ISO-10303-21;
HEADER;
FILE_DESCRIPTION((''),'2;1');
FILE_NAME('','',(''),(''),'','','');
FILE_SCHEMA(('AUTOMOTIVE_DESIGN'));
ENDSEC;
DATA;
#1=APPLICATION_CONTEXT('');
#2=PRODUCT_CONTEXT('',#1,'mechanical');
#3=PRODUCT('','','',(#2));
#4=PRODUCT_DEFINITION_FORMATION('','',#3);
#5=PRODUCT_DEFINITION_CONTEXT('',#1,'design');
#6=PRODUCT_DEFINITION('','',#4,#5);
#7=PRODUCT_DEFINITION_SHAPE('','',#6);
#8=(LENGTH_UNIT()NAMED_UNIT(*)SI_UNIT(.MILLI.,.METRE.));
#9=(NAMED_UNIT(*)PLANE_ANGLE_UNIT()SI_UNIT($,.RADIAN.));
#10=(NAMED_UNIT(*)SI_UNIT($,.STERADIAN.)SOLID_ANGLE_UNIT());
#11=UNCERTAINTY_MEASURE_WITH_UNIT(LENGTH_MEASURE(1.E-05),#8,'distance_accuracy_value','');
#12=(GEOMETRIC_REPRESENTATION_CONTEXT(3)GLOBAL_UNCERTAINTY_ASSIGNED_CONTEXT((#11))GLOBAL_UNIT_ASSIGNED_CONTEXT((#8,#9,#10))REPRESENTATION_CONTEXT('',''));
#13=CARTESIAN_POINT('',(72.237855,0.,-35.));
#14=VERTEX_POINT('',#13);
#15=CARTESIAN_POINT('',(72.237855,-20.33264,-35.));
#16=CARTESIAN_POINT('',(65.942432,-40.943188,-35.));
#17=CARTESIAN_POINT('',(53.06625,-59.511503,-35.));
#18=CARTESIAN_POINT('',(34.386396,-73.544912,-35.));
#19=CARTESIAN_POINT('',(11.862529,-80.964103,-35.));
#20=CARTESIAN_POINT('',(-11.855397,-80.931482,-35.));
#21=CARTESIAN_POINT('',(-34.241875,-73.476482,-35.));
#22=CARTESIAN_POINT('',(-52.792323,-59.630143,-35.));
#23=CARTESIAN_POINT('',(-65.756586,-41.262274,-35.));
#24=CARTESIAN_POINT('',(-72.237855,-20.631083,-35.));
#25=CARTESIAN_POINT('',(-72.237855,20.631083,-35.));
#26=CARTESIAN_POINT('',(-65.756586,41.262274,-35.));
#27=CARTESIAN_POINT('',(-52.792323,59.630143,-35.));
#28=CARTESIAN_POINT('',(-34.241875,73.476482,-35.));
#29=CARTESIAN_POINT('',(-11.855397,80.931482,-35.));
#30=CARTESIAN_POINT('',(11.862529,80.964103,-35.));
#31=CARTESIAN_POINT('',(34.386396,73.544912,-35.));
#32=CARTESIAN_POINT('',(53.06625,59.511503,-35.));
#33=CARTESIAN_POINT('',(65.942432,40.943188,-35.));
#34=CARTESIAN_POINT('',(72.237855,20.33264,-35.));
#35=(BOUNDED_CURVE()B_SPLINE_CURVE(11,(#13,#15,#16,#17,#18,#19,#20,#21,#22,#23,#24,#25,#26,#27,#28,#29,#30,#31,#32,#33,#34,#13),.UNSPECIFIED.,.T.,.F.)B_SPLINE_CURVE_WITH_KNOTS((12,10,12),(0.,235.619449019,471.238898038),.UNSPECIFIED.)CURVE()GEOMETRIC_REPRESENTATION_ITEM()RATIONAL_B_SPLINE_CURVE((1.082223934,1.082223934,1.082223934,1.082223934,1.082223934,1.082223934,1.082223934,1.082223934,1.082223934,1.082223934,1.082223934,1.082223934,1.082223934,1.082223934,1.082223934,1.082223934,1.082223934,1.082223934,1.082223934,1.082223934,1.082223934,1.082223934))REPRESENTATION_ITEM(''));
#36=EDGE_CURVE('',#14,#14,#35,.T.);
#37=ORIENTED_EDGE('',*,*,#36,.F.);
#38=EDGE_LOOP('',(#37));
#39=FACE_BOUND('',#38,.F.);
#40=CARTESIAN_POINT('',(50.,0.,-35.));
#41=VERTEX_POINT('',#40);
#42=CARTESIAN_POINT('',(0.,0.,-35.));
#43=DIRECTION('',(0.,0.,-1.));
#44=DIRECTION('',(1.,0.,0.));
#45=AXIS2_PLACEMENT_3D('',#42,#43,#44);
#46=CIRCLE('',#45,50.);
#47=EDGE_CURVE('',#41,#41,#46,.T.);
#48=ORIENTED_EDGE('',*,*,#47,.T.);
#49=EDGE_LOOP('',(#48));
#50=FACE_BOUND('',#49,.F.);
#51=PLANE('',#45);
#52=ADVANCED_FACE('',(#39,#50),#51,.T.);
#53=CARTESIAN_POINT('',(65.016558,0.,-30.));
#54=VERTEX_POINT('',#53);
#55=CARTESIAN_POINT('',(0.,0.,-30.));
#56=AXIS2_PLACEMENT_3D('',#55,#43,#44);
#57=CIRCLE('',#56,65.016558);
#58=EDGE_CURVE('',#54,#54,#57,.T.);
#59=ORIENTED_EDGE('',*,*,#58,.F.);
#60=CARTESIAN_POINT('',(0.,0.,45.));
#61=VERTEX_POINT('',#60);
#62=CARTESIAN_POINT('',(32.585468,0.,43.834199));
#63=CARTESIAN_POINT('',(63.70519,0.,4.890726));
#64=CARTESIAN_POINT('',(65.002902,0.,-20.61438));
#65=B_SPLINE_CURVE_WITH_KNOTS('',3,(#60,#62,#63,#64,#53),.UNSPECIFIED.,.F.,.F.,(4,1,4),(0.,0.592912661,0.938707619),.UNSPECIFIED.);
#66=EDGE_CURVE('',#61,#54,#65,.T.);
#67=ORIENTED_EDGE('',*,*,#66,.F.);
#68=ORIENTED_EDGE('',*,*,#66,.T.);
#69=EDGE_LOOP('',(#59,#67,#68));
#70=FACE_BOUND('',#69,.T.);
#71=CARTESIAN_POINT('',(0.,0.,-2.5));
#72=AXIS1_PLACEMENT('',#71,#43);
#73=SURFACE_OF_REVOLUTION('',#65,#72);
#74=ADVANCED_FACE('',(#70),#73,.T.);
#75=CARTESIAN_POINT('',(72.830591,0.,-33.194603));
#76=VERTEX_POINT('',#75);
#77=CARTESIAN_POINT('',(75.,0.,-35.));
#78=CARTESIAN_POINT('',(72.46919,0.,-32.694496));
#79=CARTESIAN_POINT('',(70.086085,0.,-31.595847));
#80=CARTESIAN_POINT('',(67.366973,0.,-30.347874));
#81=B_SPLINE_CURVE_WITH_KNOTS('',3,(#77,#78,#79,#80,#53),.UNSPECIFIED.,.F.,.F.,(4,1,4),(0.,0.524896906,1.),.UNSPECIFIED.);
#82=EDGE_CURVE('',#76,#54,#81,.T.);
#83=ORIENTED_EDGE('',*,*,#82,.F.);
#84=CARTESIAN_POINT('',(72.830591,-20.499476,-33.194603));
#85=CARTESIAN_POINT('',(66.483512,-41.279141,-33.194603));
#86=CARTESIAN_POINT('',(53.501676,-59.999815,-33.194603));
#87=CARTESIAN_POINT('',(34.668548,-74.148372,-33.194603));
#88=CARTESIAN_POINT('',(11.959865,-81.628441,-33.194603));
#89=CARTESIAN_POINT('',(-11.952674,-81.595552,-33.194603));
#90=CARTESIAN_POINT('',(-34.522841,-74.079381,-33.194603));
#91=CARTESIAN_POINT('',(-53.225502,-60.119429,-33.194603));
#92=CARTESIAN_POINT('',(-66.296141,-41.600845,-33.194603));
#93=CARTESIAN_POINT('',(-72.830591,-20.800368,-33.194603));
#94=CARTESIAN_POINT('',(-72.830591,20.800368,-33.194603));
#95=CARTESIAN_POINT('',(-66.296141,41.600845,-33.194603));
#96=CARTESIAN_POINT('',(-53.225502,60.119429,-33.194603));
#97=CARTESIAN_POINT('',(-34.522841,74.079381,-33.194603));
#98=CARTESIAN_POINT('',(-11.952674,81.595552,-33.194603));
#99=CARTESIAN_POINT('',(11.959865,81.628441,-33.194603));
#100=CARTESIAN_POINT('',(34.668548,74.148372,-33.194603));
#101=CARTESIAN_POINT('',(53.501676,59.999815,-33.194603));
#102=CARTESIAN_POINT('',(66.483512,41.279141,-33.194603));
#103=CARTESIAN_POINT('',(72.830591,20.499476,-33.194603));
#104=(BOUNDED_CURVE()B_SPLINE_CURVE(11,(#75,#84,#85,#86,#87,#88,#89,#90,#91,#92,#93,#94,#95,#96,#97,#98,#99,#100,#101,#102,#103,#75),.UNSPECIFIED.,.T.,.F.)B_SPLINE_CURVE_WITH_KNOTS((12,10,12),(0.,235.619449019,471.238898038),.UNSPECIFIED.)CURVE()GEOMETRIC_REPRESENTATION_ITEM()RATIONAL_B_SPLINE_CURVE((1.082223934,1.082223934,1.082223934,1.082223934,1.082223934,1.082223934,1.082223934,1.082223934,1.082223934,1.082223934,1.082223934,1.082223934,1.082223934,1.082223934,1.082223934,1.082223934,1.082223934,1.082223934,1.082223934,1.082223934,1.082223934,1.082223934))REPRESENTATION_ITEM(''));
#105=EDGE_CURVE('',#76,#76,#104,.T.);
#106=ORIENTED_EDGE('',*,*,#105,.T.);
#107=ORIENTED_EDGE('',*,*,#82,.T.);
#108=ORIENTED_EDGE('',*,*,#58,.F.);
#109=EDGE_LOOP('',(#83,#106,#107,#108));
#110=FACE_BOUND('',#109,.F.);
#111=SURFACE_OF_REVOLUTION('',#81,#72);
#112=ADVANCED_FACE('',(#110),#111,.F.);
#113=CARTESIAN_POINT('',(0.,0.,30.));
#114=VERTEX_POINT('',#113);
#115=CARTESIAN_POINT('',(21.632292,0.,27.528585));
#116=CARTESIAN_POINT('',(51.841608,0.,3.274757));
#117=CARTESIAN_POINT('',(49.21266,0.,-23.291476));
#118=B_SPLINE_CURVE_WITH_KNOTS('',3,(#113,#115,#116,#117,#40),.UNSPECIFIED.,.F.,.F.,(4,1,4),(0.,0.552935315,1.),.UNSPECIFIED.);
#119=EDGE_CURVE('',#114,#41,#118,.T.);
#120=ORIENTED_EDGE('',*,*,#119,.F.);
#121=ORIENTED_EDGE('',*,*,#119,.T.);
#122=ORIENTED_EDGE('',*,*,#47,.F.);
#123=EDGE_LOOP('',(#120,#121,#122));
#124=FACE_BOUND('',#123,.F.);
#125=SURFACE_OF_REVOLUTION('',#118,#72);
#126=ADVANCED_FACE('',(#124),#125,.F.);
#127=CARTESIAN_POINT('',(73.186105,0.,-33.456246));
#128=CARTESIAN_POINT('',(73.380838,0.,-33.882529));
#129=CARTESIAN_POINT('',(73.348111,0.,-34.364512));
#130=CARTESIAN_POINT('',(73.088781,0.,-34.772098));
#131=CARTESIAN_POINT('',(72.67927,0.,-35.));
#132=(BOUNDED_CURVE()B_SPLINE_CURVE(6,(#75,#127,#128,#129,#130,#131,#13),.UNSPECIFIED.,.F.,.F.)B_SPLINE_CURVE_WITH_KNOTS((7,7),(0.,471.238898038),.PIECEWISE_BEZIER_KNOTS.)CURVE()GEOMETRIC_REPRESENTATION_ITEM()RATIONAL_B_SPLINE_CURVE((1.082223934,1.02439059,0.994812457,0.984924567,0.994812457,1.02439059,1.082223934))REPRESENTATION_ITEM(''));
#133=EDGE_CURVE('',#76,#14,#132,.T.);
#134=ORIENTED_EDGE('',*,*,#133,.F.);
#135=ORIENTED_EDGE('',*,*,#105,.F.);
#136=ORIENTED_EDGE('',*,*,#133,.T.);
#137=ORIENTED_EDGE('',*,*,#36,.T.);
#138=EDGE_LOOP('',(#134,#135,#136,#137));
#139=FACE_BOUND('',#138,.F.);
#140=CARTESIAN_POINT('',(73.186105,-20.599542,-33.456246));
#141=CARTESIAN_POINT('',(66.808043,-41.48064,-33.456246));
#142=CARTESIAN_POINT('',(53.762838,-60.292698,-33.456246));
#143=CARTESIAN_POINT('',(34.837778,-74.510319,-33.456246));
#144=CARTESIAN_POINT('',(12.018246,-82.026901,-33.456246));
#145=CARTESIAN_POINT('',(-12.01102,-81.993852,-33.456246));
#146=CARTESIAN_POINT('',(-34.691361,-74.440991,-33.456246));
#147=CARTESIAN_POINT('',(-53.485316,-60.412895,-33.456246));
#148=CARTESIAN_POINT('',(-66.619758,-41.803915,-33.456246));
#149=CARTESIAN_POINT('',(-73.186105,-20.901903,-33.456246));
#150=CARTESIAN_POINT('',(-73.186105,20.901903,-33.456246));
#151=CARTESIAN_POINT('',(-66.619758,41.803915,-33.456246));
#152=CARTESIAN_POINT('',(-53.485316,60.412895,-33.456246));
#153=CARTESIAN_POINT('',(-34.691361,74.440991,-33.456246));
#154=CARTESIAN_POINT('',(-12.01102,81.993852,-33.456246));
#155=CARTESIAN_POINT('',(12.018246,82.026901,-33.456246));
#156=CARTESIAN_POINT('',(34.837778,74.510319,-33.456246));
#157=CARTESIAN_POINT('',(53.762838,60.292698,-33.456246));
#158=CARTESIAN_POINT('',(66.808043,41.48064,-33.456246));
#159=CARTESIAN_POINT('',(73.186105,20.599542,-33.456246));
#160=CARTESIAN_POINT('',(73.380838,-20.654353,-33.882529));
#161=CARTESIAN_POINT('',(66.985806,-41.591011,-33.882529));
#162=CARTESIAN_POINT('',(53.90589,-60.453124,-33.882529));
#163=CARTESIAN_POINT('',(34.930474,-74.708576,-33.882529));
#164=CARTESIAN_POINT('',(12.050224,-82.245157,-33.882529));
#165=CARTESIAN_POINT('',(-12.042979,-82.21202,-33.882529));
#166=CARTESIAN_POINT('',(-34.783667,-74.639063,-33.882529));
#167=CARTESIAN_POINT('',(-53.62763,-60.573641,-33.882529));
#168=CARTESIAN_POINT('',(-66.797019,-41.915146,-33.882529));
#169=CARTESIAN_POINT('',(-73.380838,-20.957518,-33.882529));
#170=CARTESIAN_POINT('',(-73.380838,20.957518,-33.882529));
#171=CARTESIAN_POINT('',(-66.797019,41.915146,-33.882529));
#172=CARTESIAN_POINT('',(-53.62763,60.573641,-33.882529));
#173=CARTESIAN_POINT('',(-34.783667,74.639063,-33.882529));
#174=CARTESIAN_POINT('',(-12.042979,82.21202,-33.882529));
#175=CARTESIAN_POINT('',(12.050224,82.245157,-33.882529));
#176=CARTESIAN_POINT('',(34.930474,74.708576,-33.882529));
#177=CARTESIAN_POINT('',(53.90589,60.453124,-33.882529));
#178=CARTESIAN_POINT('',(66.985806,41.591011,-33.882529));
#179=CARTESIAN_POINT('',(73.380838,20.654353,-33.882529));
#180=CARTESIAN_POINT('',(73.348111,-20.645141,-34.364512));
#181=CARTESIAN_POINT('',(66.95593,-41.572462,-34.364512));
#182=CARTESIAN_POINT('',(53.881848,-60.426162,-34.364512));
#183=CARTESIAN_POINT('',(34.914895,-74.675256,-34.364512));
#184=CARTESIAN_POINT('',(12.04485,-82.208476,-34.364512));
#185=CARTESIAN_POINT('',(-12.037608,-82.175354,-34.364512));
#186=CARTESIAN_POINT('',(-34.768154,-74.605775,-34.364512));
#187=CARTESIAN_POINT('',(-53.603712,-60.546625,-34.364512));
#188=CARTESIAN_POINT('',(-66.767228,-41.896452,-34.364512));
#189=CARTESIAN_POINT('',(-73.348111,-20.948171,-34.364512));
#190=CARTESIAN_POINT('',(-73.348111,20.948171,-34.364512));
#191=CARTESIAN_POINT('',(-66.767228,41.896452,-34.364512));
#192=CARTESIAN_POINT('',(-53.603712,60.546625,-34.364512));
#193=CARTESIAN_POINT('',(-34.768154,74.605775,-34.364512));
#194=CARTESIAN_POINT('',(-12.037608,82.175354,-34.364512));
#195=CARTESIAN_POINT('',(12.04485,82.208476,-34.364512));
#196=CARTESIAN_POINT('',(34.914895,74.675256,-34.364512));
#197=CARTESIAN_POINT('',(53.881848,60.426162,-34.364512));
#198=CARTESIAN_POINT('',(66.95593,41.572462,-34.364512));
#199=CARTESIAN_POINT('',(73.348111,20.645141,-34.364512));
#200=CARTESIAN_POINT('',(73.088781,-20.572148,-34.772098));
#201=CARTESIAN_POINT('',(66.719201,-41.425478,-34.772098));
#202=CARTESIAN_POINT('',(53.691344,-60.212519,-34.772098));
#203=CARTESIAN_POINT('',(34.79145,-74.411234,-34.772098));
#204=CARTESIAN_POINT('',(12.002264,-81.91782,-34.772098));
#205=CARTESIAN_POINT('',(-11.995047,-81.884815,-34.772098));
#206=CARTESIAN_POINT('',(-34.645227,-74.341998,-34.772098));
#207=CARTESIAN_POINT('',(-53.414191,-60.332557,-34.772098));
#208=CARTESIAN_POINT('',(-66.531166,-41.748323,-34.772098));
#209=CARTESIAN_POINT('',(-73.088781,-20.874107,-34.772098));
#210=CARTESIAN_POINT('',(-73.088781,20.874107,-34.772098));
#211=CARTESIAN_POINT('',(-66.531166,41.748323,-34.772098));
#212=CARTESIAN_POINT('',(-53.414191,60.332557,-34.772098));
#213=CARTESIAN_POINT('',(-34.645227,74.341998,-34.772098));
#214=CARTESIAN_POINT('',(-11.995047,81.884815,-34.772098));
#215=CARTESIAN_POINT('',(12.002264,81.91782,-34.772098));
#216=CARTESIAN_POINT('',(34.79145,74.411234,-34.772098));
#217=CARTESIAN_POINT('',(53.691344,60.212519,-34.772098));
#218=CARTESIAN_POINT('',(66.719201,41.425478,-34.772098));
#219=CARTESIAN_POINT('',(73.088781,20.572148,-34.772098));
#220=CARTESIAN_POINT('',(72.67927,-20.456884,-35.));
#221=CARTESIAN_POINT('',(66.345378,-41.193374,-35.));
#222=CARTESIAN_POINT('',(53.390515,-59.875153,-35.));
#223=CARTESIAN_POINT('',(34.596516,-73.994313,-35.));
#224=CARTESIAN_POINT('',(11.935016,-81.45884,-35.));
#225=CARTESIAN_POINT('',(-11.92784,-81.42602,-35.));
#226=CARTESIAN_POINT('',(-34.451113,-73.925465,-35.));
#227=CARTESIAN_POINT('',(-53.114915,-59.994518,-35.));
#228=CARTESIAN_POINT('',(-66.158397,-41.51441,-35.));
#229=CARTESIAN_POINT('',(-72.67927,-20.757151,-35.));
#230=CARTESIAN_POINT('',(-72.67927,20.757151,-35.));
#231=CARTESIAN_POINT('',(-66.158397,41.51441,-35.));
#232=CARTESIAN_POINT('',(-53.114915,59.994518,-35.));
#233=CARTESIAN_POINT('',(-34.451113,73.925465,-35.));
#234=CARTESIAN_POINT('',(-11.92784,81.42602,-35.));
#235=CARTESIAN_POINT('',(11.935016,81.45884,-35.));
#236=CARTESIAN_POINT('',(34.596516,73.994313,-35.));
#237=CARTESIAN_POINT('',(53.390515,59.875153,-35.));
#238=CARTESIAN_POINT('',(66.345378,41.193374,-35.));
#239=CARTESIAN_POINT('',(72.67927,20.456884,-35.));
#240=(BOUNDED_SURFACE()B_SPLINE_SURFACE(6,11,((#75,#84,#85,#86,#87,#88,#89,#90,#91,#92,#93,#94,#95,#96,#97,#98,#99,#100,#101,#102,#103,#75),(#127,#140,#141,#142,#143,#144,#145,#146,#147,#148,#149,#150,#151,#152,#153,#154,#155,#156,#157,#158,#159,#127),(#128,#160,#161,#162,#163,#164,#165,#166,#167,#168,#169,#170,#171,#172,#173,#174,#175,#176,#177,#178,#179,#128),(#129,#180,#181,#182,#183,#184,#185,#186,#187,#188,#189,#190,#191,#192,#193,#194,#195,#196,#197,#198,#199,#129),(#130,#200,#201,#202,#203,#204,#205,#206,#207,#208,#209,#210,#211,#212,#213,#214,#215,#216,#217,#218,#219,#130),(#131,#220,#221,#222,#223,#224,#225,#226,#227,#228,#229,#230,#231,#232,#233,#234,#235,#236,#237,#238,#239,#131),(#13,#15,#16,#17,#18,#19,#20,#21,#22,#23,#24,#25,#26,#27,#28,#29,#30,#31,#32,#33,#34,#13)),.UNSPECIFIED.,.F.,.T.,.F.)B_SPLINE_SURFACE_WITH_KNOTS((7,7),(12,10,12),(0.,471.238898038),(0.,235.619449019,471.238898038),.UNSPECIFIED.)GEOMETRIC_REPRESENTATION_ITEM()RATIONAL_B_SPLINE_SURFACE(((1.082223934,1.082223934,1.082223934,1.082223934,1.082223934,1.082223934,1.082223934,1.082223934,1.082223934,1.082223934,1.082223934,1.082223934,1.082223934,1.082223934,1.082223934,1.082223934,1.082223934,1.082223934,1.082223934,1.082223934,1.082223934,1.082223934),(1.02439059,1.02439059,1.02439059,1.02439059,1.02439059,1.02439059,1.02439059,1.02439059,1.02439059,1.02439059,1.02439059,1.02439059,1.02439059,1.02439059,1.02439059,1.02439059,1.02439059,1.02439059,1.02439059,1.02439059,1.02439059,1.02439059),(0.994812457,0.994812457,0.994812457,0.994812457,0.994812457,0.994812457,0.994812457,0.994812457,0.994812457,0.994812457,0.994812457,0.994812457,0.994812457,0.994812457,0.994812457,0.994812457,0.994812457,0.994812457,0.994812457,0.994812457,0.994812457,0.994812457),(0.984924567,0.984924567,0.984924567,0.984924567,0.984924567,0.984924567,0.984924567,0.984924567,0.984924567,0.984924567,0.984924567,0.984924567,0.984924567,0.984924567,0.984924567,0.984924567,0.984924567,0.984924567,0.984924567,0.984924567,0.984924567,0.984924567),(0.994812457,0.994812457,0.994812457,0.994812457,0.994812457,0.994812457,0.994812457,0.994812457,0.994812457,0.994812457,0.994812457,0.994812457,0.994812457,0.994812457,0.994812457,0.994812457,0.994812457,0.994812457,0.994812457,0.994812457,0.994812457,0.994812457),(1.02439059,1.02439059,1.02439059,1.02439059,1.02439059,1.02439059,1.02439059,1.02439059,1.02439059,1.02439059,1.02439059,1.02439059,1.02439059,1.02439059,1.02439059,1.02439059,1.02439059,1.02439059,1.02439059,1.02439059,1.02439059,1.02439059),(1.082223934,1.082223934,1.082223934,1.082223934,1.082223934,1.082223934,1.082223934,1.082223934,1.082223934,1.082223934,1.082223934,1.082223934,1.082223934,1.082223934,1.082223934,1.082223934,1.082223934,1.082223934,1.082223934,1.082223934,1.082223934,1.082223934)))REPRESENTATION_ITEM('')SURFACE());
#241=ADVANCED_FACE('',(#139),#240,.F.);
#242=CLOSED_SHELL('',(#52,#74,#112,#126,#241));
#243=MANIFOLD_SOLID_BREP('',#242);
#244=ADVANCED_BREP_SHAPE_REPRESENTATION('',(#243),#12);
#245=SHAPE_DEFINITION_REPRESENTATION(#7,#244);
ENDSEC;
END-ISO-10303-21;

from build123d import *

# Parameters (mm, degrees)
F2_R = 1


with BuildPart() as f1:
    # F0 (on Front) → F1 (revolve)
    with BuildSketch(Plane.XZ):
        with BuildLine():
            add(Edge.make_bspline(
                [(0, 45), (32.5854684999, 43.8341987474), (63.7051902244, 4.8907256128), (65.0029016661, -20.614380353), (65.016558153, -30)],
                knots=[0, 0, 0, 0, 0.5929126607, 0.9387076193, 0.9387076193, 0.9387076193, 0.9387076193], degree=3))
            Line((0, 45), (0, 30))
            add(Edge.make_bspline(
                [(0, 30), (21.6322918756, 27.5285851806), (51.8416084101, 3.2747567854), (49.2126600125, -23.2914760548), (50, -35)],
                knots=[0, 0, 0, 0, 0.5529353155, 1, 1, 1, 1], degree=3))
            Line((50, -35), (65, -35))
            add(Edge.make_bspline(
                [(65.016558153, -30), (65.0189787742, -31.6636071704), (65.0068094141, -33.3269069467), (65, -35)],
                knots=[0.9387076193, 0.9387076193, 0.9387076193, 0.9387076193, 1, 1, 1, 1], degree=3))
        make_face()
        with BuildLine():
            add(Edge.make_bspline(
                [(75, -35), (72.4691897631, -32.6944962144), (70.0860851209, -31.5958470621), (67.3669725657, -30.3478743881), (65.016558153, -30)],
                knots=[0, 0, 0, 0, 0.5248969058, 1, 1, 1, 1], degree=3))
            add(Edge.make_bspline(
                [(65.016558153, -30), (65.0189787742, -31.6636071704), (65.0068094141, -33.3269069467), (65, -35)],
                knots=[0.9387076193, 0.9387076193, 0.9387076193, 0.9387076193, 1, 1, 1, 1], degree=3))
            Line((65, -35), (75, -35))
        make_face()
    revolve(axis=Axis((0, 0, -2.5), (0, 0, -1)))

    # F2
    f2_edges = [f1.edges().sort_by_distance(p)[0] for p in [
        (-75, 0, -35),
    ]]
    fillet(f2_edges, radius=F2_R)


solid = f1.part
